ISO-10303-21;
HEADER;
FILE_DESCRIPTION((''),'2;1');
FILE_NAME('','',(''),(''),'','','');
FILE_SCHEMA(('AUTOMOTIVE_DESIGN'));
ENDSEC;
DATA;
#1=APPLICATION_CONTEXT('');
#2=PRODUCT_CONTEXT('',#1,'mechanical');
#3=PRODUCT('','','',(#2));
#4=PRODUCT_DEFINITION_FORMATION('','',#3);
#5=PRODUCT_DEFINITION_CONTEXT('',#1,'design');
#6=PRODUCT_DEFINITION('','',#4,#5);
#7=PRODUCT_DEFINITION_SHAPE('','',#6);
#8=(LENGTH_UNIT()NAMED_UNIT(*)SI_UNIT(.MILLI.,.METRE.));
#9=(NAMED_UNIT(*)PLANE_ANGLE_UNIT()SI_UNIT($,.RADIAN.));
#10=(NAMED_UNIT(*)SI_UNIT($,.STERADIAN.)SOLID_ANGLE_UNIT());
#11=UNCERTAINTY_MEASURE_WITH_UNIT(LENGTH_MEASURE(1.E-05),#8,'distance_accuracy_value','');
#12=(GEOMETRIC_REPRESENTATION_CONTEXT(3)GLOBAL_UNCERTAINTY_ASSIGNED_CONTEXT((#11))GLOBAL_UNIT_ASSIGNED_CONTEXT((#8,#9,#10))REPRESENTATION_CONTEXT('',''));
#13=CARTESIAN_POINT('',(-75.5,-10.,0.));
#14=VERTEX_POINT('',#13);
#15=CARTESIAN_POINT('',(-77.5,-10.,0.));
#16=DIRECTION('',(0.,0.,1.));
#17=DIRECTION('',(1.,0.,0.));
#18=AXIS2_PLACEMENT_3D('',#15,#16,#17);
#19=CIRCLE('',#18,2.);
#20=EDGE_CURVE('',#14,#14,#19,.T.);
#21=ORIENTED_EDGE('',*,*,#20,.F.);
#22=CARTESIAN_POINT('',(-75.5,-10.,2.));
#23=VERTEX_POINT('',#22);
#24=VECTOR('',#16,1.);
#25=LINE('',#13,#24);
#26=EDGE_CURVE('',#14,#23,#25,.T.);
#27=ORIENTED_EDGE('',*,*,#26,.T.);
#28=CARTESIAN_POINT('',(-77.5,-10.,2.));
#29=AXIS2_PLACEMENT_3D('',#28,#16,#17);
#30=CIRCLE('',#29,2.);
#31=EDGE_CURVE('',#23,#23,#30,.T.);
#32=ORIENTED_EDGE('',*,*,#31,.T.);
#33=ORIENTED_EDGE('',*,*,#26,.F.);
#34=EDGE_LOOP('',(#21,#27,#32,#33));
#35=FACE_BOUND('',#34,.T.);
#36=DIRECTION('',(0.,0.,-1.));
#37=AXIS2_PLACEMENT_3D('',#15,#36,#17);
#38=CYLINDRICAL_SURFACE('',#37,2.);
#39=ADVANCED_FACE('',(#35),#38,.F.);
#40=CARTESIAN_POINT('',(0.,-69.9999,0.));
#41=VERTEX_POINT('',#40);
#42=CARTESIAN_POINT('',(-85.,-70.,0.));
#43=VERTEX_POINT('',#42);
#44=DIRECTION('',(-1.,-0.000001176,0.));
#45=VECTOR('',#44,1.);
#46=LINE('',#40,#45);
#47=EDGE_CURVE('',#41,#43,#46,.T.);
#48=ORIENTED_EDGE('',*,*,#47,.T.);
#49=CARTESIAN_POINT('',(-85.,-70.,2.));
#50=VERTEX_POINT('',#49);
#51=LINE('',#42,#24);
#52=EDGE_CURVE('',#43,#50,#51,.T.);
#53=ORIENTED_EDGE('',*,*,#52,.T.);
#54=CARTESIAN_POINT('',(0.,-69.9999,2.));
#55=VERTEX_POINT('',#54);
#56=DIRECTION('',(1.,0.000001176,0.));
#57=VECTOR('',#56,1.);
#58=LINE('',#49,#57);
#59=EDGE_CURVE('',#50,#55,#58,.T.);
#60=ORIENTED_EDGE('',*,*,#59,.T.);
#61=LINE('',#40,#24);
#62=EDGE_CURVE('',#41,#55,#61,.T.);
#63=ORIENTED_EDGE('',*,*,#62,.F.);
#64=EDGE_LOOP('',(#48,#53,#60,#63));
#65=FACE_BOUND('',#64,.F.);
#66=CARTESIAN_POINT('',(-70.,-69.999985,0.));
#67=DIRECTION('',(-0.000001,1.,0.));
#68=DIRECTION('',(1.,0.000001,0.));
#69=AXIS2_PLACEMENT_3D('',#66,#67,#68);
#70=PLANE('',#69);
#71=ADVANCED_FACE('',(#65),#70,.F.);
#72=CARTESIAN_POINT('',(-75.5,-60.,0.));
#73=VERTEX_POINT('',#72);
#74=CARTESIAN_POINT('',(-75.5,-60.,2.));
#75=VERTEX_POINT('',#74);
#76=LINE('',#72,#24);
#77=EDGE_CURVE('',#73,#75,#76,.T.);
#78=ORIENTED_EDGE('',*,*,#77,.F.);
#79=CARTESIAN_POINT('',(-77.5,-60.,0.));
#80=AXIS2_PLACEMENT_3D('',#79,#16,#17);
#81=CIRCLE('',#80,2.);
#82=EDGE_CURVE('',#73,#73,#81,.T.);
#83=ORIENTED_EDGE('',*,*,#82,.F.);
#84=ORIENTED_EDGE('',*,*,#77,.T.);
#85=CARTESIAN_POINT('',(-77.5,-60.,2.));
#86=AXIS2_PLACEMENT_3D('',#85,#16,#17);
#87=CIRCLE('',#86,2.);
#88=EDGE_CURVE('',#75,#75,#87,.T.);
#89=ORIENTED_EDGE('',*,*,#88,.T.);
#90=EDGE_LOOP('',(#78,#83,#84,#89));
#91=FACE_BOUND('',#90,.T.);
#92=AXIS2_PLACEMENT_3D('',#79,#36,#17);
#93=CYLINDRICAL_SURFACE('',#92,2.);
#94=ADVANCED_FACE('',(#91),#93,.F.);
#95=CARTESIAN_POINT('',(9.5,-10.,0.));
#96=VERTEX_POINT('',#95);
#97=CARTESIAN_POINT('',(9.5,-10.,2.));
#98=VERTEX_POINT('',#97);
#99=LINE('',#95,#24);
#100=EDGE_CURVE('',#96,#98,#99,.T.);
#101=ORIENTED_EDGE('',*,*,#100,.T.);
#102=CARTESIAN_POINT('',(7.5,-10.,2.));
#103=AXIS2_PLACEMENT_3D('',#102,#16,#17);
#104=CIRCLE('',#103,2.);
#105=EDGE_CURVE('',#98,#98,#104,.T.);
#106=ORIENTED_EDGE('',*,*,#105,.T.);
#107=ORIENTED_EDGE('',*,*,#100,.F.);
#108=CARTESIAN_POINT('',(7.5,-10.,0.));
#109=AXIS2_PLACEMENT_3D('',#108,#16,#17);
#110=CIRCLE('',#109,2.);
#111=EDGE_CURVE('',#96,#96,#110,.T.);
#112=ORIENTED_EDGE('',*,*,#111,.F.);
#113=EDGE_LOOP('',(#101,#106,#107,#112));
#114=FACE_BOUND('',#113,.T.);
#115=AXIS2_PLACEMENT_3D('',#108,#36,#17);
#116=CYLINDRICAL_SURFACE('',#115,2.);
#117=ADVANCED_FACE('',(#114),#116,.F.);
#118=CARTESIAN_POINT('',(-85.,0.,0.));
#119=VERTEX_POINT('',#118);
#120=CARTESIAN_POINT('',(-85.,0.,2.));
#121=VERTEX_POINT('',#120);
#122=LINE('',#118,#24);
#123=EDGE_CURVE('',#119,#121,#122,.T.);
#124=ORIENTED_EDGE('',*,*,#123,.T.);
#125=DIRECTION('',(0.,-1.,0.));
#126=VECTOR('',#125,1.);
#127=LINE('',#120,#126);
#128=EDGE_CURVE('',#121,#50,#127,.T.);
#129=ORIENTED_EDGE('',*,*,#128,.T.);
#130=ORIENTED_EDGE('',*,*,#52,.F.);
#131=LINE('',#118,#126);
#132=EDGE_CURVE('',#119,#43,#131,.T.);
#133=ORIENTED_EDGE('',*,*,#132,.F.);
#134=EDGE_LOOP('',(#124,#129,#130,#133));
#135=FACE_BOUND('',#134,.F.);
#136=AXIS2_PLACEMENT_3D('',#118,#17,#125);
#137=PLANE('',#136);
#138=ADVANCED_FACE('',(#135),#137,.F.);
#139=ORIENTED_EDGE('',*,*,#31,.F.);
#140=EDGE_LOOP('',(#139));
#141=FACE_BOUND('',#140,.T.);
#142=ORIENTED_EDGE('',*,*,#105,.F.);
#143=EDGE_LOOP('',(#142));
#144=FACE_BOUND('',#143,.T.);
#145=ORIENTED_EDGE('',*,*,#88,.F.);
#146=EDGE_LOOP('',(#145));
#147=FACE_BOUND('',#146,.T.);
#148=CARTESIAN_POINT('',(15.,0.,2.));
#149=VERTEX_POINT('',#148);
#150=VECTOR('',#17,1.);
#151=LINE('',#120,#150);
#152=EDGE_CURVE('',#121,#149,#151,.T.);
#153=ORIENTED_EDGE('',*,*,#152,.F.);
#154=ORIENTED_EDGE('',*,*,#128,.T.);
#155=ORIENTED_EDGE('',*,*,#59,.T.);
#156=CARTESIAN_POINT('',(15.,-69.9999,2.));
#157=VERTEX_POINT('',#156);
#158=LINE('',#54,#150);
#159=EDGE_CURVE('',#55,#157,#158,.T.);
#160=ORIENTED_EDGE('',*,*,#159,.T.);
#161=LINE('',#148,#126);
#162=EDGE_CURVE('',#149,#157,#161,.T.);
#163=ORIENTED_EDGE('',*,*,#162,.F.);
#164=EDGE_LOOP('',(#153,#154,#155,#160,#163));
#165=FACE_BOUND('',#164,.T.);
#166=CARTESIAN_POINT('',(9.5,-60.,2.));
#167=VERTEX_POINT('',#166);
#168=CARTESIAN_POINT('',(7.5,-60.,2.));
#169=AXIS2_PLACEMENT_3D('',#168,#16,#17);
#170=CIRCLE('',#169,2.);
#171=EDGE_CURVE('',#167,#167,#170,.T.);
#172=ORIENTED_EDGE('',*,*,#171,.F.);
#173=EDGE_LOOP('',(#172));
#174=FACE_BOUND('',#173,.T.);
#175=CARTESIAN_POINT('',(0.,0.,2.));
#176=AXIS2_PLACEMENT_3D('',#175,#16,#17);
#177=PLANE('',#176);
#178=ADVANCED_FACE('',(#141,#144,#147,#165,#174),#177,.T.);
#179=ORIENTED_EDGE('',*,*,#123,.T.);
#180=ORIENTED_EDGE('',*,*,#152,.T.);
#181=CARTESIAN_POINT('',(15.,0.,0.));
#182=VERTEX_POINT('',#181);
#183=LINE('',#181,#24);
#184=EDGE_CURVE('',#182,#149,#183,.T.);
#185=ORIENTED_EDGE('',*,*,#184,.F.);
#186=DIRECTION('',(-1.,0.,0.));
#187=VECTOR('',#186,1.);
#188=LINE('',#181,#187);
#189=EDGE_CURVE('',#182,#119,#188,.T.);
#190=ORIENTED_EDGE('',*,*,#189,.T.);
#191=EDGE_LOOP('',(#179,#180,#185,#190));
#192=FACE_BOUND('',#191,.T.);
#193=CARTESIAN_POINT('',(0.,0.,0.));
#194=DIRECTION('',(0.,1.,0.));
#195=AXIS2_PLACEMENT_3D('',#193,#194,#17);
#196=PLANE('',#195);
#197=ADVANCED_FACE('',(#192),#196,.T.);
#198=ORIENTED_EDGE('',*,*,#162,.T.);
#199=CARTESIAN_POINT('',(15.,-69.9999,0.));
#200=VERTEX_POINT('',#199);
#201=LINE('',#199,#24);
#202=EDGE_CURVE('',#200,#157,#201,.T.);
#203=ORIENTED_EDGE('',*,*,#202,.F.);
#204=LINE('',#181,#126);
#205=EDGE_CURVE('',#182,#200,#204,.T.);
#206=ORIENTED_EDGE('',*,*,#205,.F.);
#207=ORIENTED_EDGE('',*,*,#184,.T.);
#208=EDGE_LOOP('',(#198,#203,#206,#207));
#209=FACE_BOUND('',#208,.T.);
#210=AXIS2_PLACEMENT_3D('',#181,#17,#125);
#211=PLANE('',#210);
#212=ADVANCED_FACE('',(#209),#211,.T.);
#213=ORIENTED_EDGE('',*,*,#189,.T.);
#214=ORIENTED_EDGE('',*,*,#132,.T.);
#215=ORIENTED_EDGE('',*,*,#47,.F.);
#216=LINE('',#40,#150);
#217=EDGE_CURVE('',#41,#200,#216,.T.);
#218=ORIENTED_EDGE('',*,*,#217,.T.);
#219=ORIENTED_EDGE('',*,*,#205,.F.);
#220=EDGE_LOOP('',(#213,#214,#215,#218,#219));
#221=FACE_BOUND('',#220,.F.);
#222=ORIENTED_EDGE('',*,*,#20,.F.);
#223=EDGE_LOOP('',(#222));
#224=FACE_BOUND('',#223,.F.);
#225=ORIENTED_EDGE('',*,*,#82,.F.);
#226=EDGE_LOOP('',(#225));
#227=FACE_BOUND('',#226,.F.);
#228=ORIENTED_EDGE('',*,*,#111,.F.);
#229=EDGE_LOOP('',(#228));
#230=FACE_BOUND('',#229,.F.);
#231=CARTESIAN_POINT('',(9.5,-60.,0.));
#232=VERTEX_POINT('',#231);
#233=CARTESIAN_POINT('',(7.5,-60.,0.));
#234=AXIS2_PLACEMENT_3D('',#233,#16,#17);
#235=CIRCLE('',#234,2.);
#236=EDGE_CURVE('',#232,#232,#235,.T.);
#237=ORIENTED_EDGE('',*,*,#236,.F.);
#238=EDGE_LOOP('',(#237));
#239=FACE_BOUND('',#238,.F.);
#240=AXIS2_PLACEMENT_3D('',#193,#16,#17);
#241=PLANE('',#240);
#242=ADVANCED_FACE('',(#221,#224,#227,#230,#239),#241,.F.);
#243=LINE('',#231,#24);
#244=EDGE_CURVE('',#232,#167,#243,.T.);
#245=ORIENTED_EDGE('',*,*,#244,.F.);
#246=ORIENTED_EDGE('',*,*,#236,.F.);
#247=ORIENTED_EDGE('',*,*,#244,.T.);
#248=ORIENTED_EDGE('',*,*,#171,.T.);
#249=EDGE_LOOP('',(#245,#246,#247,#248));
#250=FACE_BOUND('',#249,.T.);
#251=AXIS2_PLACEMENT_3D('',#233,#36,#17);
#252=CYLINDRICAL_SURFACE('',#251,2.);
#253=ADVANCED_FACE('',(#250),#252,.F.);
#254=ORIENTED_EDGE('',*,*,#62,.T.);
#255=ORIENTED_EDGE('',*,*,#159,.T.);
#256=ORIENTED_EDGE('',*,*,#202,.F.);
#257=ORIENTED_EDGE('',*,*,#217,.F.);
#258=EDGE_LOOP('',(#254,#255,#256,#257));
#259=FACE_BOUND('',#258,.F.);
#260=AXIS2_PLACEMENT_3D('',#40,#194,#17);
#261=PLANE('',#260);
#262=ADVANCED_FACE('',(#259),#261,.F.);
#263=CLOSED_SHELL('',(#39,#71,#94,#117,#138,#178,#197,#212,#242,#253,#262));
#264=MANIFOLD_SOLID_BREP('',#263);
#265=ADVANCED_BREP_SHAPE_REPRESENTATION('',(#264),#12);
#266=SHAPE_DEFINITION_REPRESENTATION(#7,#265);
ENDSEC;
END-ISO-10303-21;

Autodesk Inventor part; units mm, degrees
ref_plane "YZ Plane" through (0, 0, 0) normal (1, 0, 0) x (0, 1, 0)
ref_plane "XZ Plane" through (0, 0, 0) normal (0, 1, 0) x (-1, 0, 0)
ref_plane "XY Plane" through (0, 0, 0) normal (0, 0, 1) x (1, 0, 0)
sketch "Sketch1" plane through (0, 0, 0) normal (0, 0, 1) x (1, 0, 0)
  circle A0 centre (7.5, -10) radius 2 projected
  circle A1 centre (7.5, -60) radius 2 projected
  line L0 (0, 0) -> (0, -69.9999) projected
  line L1 (0, -69.9999) -> (15, -69.9999) projected
  line L2 (15, 0) -> (15, -69.9999) projected
  line L3 (0, 0) -> (15, 0) projected
  line L4 (15, 0) -> (-85, 0)
  line L5 (-85, 0) -> (-85, -70)
  line L6 (-85, -70) -> (15, -70)
  line L7 (15, -70) -> (15, 0)
  circle A2 centre (-77.5, -10) radius 2 projected
  circle A3 centre (-77.5, -60) radius 2 projected
  line L8 (-85, 0) -> (-85, -69.9999) projected
  line L9 (-85, -69.9999) -> (-70, -69.9999) projected
  line L10 (-70, 0) -> (-70, -69.9999) projected
  line L11 (-85, 0) -> (-70, 0) projected
  dimension "d0" = 100
  dimension "d1" = 70
extrude "Extrusion1" add sketch "Sketch1" along normal blind 2
properties part number "Copper_Plate" material "Copper"
